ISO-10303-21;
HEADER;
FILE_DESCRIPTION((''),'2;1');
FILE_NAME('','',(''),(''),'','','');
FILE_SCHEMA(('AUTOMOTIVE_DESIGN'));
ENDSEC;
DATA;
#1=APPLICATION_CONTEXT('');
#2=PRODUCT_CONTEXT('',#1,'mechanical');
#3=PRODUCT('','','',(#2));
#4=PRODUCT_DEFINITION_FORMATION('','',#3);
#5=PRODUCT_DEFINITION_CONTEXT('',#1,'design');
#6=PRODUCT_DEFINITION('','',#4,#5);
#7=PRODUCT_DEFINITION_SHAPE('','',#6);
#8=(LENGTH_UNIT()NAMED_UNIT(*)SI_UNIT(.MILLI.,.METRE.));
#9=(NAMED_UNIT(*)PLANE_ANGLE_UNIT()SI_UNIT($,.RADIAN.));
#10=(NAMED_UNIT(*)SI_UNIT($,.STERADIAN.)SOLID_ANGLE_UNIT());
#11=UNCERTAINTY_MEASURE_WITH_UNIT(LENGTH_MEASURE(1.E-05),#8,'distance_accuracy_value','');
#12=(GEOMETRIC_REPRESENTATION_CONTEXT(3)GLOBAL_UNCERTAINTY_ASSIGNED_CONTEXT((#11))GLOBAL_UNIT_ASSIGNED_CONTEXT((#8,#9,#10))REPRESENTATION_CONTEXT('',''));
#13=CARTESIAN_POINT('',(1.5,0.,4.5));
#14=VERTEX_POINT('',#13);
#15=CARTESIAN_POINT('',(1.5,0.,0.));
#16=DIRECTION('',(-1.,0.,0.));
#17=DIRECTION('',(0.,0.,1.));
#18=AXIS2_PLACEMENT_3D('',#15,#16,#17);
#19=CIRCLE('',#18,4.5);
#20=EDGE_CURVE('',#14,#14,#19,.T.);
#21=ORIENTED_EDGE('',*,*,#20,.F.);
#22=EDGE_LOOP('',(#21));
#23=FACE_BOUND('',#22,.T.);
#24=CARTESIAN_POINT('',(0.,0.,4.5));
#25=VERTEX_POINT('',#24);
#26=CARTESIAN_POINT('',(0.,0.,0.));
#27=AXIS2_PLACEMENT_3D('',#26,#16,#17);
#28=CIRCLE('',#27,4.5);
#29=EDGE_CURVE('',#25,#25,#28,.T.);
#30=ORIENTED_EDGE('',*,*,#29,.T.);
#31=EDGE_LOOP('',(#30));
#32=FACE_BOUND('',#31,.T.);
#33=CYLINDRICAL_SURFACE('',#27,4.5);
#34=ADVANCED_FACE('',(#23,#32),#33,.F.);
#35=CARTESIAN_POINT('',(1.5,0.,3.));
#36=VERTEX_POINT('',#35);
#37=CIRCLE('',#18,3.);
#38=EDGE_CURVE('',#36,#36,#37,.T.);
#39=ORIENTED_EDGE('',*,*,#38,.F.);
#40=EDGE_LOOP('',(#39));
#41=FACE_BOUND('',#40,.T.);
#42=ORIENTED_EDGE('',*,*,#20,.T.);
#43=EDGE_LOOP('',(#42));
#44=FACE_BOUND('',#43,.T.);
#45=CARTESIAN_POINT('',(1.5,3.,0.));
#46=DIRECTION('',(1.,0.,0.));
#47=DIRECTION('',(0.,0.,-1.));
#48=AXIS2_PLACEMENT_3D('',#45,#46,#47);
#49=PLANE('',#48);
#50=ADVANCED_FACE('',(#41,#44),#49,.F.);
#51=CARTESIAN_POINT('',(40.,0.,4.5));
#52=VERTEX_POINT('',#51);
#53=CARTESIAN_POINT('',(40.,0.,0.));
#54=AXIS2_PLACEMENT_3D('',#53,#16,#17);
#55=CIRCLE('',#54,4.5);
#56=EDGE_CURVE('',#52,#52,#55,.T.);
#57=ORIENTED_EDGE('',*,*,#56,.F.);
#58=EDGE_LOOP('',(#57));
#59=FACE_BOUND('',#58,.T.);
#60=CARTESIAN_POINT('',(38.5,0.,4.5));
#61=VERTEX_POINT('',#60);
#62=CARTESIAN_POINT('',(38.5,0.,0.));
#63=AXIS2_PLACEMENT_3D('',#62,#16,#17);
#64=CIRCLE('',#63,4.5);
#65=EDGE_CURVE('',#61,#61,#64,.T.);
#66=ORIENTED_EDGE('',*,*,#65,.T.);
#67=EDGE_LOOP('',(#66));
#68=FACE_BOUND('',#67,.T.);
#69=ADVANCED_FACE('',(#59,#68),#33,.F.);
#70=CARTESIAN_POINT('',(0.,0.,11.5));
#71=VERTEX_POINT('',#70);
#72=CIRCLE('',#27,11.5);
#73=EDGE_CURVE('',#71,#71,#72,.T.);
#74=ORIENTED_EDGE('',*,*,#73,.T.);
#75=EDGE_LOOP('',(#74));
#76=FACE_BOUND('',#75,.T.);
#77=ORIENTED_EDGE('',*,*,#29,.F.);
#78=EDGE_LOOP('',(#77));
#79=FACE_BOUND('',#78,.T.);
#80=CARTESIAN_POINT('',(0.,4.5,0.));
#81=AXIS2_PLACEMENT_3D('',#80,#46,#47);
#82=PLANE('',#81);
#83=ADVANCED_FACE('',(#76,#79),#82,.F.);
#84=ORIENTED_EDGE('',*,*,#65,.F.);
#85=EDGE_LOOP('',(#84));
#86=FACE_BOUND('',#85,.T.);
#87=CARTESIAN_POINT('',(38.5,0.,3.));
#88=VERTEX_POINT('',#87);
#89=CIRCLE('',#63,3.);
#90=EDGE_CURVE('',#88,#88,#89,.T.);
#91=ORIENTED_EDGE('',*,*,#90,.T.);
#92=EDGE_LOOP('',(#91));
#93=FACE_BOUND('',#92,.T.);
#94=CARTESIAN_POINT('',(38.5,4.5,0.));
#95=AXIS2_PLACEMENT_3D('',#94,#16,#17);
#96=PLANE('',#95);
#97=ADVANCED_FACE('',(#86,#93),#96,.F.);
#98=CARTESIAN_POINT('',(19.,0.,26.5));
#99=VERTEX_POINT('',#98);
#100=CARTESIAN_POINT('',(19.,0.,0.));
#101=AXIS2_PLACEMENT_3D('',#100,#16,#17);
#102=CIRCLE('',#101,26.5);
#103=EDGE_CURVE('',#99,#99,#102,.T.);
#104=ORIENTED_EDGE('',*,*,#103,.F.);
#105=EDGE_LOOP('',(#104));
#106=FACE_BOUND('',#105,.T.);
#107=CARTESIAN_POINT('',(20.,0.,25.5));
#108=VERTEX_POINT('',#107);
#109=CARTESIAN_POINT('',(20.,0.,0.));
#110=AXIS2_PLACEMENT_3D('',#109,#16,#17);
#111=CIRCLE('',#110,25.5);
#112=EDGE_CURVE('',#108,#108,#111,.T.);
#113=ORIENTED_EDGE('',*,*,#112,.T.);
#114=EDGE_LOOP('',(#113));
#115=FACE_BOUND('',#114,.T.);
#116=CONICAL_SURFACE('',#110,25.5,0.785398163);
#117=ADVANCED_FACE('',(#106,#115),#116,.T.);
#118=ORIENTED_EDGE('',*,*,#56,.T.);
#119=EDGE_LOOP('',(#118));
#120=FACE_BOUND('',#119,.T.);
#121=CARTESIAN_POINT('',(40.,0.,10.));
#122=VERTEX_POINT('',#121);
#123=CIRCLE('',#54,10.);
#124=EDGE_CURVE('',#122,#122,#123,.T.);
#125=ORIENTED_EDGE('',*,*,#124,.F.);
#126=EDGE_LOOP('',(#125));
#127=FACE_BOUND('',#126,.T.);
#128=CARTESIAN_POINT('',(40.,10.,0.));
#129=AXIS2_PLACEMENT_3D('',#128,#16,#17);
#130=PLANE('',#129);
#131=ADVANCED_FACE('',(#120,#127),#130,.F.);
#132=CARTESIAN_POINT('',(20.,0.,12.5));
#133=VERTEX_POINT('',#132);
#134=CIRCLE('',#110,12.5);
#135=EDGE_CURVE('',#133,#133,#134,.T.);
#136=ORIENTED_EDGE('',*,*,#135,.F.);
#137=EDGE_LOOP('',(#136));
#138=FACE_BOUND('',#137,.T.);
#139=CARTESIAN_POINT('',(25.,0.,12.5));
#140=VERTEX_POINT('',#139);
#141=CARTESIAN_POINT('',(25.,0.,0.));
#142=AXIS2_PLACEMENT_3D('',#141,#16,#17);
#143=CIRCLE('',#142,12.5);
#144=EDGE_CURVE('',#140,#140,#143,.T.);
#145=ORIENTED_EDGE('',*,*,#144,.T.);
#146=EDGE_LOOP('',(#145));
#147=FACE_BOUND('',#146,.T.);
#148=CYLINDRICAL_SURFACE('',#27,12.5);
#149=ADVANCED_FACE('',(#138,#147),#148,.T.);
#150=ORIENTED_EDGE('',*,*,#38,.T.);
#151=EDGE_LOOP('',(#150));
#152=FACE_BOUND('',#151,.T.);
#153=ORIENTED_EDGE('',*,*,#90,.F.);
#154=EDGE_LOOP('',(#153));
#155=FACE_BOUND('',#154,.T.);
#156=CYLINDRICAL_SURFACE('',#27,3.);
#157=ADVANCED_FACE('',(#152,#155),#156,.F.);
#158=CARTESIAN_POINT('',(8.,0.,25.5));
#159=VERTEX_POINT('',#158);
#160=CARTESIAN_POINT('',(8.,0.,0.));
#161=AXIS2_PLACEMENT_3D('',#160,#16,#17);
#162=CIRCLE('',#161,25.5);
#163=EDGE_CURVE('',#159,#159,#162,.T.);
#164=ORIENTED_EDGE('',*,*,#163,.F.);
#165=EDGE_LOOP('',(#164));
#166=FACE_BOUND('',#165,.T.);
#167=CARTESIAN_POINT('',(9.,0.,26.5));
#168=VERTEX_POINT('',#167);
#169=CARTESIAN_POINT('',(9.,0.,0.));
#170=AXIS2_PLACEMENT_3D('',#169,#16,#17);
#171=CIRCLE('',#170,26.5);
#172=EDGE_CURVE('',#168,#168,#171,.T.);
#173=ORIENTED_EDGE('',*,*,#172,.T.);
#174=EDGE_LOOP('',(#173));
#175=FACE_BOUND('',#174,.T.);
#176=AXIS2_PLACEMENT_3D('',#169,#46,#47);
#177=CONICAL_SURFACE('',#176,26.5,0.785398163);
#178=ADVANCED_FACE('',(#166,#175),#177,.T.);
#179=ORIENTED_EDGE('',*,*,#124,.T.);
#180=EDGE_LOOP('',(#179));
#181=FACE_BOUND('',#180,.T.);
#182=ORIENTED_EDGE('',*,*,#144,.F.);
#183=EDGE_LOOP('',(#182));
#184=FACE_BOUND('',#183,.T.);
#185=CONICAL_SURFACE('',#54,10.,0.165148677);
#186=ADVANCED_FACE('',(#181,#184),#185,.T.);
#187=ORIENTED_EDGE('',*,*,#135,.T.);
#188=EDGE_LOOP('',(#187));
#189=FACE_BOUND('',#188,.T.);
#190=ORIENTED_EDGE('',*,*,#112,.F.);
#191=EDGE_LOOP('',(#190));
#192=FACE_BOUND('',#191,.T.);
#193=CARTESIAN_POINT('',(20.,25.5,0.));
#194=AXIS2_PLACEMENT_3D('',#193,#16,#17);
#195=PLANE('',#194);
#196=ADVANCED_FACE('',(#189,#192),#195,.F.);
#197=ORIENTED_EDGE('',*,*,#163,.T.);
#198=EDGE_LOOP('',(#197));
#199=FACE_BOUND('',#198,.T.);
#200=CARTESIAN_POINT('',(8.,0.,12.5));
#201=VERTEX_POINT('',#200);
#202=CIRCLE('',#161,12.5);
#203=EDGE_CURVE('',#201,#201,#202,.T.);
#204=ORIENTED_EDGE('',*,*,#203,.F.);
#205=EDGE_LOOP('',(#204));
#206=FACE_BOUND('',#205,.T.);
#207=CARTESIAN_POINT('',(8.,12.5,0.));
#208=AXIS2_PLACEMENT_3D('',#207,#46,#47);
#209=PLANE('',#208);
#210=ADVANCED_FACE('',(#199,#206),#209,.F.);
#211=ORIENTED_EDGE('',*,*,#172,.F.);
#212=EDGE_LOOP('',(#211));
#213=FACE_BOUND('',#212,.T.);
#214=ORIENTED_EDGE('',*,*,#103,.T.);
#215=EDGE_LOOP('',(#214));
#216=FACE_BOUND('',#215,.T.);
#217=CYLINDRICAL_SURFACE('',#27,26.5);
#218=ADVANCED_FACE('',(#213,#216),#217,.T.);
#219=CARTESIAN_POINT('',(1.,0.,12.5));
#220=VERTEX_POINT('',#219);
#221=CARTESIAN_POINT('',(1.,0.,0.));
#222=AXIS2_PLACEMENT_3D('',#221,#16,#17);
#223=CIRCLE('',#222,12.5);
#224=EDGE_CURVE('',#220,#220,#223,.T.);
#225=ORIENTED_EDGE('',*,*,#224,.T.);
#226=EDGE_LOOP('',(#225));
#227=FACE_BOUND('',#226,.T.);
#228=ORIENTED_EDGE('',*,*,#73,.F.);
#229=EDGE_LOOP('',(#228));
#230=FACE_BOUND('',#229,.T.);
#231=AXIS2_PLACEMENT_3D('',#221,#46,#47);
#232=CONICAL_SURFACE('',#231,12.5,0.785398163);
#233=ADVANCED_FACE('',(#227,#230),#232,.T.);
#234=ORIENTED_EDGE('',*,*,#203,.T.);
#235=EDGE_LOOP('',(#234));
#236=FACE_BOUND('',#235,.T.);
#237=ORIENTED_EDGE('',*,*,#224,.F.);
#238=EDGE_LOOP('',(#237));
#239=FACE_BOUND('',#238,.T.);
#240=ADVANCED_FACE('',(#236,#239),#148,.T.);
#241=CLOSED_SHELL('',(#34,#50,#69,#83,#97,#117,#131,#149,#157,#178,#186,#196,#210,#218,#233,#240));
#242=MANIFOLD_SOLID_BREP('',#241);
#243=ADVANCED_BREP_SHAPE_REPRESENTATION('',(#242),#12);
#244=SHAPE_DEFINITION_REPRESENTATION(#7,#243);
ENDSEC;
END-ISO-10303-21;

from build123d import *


with BuildPart() as part:
    # 草图1 → 旋转1 (revolve)
    with BuildSketch(Plane.XY, mode=Mode.PRIVATE) as revolve_1_sk:
        Polygon((0, 11.5), (1, 12.5), (8, 12.5), (8, 25.5), (9, 26.5), (19, 26.5), (20, 25.5), (20, 12.5), (25, 12.5), (40, 10), (40, 4.5), (38.5, 4.5), (38.5, 3), (1.5, 3), (1.5, 4.5), (0, 4.5), align=None)
    revolve(revolve_1_sk.sketch.rotate(Axis((0, 0, 0), (1, 0, 0)), 90), axis=Axis((0, 0, 0), (1, 0, 0)))


solid = part.part
